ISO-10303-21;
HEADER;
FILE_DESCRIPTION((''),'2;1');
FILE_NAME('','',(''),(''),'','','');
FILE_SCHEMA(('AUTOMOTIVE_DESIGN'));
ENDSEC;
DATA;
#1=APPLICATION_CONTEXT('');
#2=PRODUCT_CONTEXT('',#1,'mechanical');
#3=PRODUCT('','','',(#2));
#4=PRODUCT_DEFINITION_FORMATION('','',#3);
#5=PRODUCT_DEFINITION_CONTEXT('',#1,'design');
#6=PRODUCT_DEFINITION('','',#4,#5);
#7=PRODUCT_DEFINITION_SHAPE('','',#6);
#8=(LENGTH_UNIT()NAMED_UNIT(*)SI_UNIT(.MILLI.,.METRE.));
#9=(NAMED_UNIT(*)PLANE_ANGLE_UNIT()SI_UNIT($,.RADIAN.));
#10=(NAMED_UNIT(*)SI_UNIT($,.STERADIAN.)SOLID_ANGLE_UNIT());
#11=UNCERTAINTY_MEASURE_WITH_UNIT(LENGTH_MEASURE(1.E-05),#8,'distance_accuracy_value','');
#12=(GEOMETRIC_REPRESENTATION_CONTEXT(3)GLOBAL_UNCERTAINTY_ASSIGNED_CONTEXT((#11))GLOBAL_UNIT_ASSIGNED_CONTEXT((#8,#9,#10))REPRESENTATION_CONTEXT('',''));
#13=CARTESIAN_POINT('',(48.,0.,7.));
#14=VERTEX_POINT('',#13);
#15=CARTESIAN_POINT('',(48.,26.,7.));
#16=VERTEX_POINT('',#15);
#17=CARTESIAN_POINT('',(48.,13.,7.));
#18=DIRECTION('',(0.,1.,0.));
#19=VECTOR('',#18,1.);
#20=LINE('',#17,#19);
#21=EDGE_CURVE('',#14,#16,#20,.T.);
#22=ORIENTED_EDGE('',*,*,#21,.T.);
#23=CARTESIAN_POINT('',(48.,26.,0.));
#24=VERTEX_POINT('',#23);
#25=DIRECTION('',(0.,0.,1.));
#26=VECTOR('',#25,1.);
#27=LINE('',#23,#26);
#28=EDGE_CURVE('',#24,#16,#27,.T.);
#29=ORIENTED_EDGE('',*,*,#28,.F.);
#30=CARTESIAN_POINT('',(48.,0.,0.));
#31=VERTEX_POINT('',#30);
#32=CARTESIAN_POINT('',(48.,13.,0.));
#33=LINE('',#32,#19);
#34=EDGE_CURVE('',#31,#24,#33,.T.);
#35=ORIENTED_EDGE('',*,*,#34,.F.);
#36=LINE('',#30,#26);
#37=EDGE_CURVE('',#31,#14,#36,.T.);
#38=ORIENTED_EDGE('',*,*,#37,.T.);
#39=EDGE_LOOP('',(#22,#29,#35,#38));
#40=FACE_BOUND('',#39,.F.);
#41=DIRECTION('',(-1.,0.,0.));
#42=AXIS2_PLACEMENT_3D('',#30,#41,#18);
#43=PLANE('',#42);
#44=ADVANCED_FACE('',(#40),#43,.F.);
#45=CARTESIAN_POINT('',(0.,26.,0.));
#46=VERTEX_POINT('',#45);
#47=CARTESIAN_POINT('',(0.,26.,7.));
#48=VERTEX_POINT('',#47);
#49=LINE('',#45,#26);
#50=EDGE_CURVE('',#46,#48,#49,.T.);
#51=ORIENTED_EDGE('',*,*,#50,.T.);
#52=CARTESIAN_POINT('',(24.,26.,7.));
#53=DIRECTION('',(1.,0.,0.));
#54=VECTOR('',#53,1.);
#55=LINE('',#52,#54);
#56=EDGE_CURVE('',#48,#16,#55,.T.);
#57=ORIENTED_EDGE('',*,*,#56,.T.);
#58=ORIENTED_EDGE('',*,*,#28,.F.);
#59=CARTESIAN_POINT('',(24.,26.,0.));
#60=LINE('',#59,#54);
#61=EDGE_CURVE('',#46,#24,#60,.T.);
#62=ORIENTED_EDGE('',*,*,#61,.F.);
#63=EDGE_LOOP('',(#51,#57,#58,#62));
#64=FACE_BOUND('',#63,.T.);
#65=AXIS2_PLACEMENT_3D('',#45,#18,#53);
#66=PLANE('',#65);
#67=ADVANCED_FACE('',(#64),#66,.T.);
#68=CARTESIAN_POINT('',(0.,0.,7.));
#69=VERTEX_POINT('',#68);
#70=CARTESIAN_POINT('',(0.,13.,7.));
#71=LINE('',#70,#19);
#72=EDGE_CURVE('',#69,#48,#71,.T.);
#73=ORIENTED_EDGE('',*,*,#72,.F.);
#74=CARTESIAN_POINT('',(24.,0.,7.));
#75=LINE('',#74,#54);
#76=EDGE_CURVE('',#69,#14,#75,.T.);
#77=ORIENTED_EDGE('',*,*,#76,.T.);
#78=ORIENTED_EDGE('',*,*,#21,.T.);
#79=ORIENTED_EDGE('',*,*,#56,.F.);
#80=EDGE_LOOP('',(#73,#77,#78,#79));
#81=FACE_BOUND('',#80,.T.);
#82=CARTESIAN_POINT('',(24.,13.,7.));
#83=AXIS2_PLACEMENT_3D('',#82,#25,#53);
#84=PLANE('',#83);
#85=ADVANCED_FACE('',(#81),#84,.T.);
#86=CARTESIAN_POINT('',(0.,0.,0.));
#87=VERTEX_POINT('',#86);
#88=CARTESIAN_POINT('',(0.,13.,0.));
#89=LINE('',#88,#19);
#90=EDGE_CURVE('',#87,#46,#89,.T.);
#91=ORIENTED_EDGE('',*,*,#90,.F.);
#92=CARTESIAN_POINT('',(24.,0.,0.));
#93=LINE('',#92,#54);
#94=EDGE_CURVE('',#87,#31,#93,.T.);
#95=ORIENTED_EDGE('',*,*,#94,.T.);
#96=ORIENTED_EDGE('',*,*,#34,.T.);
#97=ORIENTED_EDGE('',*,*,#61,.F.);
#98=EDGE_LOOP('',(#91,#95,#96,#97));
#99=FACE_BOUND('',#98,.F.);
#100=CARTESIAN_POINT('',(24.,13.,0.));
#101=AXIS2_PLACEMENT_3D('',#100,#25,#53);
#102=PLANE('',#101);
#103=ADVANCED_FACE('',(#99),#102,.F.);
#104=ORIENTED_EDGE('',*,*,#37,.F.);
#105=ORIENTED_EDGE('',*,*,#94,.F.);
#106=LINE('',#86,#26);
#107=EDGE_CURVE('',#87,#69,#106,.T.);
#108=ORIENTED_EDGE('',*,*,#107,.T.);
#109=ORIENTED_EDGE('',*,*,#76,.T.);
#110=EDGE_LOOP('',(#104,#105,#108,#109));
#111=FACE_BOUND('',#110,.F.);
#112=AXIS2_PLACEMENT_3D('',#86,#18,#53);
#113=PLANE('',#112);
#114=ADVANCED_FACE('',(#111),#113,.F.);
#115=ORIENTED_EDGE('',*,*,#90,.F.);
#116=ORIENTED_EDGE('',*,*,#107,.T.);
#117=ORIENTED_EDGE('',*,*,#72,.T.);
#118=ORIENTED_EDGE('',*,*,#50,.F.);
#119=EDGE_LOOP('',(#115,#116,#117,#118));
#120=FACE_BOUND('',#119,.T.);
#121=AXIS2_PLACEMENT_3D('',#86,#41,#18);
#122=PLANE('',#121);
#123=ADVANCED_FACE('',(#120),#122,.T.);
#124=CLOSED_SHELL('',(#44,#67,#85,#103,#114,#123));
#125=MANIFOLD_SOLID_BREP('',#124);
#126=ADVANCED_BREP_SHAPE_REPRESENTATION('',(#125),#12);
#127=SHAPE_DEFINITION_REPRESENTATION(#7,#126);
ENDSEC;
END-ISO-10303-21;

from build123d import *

# Parameters (mm, degrees)
BOX_W     = 48
BOX_H     = 26
BOX_DEPTH = 7


with BuildPart() as part:
    # Box → Box (new body)
    with BuildSketch(Plane.XY):
        with Locations((24, 13)):
            Rectangle(BOX_W, BOX_H)
    extrude(amount=BOX_DEPTH)


solid = part.part
